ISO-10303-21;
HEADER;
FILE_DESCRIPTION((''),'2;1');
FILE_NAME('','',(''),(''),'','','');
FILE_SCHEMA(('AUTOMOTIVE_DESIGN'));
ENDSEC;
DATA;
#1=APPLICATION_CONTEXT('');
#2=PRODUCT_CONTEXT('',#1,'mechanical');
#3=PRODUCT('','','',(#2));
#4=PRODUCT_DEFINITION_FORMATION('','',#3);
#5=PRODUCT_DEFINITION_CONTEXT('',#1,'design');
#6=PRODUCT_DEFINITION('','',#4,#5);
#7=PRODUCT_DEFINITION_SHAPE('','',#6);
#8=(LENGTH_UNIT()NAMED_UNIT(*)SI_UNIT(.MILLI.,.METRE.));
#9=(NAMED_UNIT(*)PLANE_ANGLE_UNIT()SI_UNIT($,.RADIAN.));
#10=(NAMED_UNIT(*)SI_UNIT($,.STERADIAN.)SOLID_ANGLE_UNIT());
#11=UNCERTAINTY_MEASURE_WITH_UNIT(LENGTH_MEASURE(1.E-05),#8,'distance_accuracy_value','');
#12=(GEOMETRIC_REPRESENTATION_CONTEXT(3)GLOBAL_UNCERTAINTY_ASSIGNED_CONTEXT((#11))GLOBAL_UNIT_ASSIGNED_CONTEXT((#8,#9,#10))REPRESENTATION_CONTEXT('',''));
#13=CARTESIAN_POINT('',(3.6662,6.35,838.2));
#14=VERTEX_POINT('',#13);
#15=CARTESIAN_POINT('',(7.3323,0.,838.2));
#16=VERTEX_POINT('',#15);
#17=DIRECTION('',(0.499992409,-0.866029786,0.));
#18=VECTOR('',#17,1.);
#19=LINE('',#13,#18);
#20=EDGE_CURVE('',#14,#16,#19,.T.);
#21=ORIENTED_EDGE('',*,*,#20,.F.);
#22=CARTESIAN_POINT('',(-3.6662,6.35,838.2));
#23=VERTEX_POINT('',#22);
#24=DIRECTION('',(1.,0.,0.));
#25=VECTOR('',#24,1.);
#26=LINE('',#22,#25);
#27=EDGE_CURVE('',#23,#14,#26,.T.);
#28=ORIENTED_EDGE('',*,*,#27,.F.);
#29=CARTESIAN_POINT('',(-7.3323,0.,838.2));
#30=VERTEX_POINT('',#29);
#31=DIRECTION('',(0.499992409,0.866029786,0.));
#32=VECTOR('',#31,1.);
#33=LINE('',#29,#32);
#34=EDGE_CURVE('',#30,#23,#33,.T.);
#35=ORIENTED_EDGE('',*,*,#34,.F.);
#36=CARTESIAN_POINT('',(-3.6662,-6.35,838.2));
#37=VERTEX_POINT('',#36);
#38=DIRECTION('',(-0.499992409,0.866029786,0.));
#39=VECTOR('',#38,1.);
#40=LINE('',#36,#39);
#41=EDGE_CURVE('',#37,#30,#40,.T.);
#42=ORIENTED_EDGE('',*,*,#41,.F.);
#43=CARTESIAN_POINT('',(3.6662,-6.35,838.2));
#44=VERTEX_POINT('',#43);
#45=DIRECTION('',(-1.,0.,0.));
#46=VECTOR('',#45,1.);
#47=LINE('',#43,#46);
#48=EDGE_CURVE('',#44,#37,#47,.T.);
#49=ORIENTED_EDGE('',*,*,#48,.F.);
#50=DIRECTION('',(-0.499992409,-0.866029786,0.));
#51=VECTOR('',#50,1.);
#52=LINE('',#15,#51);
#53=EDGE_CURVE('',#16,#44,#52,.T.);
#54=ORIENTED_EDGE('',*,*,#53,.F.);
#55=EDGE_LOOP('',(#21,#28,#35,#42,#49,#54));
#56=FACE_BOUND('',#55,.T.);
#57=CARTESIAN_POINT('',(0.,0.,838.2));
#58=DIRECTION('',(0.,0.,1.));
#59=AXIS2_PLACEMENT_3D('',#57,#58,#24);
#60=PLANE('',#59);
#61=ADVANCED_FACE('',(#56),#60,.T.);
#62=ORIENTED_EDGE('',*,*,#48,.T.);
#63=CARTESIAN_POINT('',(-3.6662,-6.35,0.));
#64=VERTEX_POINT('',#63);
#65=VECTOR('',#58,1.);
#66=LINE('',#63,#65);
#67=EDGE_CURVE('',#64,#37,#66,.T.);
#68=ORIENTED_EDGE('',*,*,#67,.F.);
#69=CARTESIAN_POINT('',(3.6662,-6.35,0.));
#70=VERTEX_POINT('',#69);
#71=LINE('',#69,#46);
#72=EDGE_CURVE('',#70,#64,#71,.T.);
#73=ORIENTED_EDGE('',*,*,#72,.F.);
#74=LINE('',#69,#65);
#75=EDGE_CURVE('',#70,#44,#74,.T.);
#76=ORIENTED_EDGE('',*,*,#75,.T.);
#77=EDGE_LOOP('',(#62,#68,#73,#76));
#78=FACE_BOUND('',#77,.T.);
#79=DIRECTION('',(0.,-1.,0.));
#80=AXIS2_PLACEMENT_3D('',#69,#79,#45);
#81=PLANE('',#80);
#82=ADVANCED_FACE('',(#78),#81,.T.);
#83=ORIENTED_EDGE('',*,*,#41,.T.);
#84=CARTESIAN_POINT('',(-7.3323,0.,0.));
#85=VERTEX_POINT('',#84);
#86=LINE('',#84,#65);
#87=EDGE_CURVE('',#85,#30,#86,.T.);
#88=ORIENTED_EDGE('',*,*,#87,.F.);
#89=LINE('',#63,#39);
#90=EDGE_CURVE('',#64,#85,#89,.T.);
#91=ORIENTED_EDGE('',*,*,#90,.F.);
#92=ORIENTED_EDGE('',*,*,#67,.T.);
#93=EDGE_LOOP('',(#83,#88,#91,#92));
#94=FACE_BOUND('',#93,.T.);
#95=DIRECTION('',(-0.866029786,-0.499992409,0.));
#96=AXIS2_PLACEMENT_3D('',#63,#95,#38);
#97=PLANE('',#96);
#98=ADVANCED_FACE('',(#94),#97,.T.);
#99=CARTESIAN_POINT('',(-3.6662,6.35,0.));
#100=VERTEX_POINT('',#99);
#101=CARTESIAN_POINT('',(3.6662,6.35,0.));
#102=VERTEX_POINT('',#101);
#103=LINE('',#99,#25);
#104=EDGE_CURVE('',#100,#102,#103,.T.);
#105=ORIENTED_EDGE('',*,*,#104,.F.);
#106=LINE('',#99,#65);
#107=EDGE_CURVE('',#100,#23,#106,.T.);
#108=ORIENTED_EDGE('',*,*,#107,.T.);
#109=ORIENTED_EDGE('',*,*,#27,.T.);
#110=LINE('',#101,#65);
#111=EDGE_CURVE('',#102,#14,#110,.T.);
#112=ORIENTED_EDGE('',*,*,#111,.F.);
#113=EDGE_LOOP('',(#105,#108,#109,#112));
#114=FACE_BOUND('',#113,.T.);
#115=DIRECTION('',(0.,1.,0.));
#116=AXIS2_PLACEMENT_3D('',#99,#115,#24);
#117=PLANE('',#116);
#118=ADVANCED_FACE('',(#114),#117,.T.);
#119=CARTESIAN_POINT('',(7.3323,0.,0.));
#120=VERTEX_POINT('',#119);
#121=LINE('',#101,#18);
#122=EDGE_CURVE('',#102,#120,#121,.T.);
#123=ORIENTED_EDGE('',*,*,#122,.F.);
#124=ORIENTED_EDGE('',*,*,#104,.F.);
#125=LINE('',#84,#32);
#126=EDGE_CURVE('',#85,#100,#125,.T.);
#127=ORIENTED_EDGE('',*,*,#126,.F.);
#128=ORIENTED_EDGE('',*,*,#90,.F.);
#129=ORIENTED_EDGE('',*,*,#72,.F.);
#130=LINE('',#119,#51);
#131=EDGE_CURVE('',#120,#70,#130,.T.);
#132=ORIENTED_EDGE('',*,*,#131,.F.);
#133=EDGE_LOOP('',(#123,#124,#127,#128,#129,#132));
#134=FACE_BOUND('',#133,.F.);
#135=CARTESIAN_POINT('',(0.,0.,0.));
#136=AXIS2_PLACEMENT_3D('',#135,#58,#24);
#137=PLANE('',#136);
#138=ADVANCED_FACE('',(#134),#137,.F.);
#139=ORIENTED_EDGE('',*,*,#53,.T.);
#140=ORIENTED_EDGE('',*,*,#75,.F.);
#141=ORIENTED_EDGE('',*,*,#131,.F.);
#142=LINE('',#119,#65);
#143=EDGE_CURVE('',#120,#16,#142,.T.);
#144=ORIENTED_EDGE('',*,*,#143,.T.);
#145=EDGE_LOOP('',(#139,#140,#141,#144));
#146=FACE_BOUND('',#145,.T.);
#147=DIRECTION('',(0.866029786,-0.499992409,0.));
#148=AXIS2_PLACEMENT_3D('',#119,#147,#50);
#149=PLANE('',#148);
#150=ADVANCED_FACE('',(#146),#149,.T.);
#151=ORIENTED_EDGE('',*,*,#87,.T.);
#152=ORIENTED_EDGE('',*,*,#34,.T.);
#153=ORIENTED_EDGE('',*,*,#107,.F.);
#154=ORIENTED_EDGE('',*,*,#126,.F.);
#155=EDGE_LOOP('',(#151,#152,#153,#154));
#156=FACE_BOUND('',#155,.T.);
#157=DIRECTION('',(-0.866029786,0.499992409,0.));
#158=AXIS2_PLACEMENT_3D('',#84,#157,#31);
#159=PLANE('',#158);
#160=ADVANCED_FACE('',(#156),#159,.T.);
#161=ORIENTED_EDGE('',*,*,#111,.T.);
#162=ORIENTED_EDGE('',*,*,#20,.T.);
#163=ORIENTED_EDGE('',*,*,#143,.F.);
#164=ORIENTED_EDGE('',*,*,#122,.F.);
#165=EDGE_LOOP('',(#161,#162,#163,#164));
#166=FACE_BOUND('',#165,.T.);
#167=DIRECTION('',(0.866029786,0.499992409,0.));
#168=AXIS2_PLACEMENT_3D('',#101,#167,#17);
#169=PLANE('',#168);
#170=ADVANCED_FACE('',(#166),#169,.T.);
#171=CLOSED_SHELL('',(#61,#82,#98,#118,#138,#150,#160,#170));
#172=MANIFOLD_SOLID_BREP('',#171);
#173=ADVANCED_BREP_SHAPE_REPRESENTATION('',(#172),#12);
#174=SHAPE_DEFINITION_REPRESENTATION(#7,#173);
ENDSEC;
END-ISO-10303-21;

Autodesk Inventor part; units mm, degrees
ref_plane "YZ Plane" through (0, 0, 0) normal (1, 0, 0) x (0, 1, 0)
ref_plane "XZ Plane" through (0, 0, 0) normal (0, 1, 0) x (-1, 0, 0)
ref_plane "XY Plane" through (0, 0, 0) normal (0, 0, 1) x (1, 0, 0)
sketch "Sketch1" plane through (0, 0, 0) normal (0, 0, 1) x (1, 0, 0)
  line L0 (3.6662, 6.35) -> (7.3323, 0)
  line L1 (7.3323, 0) -> (3.6662, -6.35)
  line L2 (3.6662, -6.35) -> (-3.6662, -6.35)
  line L3 (-3.6662, -6.35) -> (-7.3323, 0)
  line L4 (-7.3323, 0) -> (-3.6662, 6.35)
  line L5 (-3.6662, 6.35) -> (3.6662, 6.35)
  point P0 (0, 0)
  point P1 (0, 0)
  dimension "d0" = 12.7
extrude "Extrusion1" add sketch "Sketch1" along normal blind 838.2
properties part number "hex rod 33 inch" material "Steel, Alloy"
